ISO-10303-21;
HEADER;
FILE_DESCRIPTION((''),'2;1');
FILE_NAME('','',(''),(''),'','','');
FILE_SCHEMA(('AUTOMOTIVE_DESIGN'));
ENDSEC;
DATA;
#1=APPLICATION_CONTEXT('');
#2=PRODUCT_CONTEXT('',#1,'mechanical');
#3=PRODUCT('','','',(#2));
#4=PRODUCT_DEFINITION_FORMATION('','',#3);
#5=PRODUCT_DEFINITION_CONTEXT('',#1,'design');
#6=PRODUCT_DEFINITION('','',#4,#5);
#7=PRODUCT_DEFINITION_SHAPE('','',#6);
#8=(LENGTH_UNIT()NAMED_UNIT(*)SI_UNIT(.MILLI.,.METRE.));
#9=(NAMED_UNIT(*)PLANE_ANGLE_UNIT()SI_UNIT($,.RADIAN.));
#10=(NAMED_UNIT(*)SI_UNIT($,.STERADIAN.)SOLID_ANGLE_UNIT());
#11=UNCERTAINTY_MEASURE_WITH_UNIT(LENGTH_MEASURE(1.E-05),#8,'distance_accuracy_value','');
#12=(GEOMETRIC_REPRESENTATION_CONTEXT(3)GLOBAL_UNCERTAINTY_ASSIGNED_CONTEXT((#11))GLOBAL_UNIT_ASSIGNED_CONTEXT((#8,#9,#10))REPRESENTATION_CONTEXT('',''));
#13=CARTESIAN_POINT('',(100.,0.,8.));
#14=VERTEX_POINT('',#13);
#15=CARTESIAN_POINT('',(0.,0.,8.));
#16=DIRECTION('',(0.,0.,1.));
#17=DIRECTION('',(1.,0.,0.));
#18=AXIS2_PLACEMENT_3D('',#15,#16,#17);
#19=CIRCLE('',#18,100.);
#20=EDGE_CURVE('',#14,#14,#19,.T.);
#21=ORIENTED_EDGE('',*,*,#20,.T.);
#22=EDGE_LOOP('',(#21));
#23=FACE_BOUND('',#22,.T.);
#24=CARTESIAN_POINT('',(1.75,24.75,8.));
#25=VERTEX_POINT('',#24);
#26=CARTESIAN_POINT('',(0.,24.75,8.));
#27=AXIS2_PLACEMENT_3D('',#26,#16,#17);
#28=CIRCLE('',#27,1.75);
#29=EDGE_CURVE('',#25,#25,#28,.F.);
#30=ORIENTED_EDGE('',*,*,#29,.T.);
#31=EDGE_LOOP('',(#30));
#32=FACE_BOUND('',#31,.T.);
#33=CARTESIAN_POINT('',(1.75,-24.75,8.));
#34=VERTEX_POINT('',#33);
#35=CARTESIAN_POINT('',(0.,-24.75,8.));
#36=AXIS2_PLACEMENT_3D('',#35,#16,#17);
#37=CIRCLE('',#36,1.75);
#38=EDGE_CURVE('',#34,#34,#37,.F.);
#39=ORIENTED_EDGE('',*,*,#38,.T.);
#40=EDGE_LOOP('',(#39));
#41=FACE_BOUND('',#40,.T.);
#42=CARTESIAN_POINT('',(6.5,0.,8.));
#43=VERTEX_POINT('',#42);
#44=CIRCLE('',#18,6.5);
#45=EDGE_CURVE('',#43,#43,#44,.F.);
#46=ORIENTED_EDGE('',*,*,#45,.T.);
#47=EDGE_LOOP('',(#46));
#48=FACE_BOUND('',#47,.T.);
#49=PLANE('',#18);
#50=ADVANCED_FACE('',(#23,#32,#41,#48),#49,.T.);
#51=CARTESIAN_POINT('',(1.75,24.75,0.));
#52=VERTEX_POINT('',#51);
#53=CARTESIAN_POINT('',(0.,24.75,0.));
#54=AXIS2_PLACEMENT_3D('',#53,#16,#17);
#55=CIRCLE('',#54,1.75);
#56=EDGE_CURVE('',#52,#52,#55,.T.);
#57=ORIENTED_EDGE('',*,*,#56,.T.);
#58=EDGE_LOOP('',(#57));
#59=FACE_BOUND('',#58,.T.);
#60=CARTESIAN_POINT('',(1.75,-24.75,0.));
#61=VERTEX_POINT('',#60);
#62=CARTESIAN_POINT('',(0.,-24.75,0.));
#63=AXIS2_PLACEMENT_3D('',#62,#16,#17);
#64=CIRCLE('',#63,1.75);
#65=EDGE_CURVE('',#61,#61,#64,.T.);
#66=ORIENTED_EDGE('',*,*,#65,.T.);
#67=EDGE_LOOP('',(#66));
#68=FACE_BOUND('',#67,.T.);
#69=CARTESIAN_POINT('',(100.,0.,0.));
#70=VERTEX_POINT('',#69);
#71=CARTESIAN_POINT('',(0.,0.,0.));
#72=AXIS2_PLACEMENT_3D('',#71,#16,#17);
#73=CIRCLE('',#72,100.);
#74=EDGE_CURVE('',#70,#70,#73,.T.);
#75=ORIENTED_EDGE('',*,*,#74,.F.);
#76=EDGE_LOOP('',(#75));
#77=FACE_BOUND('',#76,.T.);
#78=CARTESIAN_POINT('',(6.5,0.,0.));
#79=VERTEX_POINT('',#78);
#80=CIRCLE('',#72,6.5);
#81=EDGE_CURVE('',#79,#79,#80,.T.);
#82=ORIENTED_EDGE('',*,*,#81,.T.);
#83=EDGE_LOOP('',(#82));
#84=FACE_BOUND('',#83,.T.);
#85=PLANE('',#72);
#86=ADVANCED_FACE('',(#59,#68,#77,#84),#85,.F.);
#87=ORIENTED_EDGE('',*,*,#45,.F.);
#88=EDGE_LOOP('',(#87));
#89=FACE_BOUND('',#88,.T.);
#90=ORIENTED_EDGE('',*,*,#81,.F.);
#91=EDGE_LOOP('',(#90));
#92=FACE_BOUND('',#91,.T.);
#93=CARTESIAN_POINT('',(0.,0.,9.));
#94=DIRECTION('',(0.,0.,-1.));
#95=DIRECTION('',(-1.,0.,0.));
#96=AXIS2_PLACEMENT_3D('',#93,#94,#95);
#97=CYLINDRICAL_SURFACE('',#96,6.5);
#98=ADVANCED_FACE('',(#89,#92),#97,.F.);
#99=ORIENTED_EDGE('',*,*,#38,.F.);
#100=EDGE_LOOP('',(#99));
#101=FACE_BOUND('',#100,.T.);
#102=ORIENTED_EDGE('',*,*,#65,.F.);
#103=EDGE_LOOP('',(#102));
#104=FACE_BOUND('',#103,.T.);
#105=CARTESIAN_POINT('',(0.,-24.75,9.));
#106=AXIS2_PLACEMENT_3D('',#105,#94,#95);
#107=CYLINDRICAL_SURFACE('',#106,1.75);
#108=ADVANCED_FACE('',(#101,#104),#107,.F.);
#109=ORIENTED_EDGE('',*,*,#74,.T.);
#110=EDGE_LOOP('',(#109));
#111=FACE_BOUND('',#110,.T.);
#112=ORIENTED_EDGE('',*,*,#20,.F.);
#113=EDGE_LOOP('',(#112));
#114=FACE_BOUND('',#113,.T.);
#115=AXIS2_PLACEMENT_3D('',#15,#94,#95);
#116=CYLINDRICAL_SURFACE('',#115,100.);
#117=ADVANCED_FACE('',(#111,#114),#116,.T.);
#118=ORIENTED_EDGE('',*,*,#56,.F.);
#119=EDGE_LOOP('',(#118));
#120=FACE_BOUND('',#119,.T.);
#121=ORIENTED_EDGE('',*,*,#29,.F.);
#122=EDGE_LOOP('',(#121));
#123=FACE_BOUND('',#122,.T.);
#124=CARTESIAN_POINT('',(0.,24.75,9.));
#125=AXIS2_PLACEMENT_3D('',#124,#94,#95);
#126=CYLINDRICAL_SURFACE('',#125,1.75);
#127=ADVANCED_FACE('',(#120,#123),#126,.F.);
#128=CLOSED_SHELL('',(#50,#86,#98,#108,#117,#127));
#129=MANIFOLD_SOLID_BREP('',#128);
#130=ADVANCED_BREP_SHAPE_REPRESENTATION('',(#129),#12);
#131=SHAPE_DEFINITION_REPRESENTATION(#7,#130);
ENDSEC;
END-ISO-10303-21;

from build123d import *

# Parameters (mm, degrees)
SKETCH1_R           = 100
BOSS_EXTRUDE1_DEPTH = 8
SKETCH2_R           = 1.75
SKETCH2_R_2         = 6.5
CUT_EXTRUDE2_DEPTH  = 9


with BuildPart() as part:
    # Sketch1 → Boss-Extrude1 (new body)
    with BuildSketch(Plane.XY):
        Circle(SKETCH1_R)
    extrude(amount=BOSS_EXTRUDE1_DEPTH)

    # Sketch2 → Cut-Extrude2 (cut)
    with BuildSketch(Plane.XY):
        with Locations((0, 24.75)):
            Circle(SKETCH2_R)
        with Locations((0, -24.75)):
            Circle(SKETCH2_R)
        Circle(SKETCH2_R_2)
    extrude(amount=CUT_EXTRUDE2_DEPTH, mode=Mode.SUBTRACT)


solid = part.part
